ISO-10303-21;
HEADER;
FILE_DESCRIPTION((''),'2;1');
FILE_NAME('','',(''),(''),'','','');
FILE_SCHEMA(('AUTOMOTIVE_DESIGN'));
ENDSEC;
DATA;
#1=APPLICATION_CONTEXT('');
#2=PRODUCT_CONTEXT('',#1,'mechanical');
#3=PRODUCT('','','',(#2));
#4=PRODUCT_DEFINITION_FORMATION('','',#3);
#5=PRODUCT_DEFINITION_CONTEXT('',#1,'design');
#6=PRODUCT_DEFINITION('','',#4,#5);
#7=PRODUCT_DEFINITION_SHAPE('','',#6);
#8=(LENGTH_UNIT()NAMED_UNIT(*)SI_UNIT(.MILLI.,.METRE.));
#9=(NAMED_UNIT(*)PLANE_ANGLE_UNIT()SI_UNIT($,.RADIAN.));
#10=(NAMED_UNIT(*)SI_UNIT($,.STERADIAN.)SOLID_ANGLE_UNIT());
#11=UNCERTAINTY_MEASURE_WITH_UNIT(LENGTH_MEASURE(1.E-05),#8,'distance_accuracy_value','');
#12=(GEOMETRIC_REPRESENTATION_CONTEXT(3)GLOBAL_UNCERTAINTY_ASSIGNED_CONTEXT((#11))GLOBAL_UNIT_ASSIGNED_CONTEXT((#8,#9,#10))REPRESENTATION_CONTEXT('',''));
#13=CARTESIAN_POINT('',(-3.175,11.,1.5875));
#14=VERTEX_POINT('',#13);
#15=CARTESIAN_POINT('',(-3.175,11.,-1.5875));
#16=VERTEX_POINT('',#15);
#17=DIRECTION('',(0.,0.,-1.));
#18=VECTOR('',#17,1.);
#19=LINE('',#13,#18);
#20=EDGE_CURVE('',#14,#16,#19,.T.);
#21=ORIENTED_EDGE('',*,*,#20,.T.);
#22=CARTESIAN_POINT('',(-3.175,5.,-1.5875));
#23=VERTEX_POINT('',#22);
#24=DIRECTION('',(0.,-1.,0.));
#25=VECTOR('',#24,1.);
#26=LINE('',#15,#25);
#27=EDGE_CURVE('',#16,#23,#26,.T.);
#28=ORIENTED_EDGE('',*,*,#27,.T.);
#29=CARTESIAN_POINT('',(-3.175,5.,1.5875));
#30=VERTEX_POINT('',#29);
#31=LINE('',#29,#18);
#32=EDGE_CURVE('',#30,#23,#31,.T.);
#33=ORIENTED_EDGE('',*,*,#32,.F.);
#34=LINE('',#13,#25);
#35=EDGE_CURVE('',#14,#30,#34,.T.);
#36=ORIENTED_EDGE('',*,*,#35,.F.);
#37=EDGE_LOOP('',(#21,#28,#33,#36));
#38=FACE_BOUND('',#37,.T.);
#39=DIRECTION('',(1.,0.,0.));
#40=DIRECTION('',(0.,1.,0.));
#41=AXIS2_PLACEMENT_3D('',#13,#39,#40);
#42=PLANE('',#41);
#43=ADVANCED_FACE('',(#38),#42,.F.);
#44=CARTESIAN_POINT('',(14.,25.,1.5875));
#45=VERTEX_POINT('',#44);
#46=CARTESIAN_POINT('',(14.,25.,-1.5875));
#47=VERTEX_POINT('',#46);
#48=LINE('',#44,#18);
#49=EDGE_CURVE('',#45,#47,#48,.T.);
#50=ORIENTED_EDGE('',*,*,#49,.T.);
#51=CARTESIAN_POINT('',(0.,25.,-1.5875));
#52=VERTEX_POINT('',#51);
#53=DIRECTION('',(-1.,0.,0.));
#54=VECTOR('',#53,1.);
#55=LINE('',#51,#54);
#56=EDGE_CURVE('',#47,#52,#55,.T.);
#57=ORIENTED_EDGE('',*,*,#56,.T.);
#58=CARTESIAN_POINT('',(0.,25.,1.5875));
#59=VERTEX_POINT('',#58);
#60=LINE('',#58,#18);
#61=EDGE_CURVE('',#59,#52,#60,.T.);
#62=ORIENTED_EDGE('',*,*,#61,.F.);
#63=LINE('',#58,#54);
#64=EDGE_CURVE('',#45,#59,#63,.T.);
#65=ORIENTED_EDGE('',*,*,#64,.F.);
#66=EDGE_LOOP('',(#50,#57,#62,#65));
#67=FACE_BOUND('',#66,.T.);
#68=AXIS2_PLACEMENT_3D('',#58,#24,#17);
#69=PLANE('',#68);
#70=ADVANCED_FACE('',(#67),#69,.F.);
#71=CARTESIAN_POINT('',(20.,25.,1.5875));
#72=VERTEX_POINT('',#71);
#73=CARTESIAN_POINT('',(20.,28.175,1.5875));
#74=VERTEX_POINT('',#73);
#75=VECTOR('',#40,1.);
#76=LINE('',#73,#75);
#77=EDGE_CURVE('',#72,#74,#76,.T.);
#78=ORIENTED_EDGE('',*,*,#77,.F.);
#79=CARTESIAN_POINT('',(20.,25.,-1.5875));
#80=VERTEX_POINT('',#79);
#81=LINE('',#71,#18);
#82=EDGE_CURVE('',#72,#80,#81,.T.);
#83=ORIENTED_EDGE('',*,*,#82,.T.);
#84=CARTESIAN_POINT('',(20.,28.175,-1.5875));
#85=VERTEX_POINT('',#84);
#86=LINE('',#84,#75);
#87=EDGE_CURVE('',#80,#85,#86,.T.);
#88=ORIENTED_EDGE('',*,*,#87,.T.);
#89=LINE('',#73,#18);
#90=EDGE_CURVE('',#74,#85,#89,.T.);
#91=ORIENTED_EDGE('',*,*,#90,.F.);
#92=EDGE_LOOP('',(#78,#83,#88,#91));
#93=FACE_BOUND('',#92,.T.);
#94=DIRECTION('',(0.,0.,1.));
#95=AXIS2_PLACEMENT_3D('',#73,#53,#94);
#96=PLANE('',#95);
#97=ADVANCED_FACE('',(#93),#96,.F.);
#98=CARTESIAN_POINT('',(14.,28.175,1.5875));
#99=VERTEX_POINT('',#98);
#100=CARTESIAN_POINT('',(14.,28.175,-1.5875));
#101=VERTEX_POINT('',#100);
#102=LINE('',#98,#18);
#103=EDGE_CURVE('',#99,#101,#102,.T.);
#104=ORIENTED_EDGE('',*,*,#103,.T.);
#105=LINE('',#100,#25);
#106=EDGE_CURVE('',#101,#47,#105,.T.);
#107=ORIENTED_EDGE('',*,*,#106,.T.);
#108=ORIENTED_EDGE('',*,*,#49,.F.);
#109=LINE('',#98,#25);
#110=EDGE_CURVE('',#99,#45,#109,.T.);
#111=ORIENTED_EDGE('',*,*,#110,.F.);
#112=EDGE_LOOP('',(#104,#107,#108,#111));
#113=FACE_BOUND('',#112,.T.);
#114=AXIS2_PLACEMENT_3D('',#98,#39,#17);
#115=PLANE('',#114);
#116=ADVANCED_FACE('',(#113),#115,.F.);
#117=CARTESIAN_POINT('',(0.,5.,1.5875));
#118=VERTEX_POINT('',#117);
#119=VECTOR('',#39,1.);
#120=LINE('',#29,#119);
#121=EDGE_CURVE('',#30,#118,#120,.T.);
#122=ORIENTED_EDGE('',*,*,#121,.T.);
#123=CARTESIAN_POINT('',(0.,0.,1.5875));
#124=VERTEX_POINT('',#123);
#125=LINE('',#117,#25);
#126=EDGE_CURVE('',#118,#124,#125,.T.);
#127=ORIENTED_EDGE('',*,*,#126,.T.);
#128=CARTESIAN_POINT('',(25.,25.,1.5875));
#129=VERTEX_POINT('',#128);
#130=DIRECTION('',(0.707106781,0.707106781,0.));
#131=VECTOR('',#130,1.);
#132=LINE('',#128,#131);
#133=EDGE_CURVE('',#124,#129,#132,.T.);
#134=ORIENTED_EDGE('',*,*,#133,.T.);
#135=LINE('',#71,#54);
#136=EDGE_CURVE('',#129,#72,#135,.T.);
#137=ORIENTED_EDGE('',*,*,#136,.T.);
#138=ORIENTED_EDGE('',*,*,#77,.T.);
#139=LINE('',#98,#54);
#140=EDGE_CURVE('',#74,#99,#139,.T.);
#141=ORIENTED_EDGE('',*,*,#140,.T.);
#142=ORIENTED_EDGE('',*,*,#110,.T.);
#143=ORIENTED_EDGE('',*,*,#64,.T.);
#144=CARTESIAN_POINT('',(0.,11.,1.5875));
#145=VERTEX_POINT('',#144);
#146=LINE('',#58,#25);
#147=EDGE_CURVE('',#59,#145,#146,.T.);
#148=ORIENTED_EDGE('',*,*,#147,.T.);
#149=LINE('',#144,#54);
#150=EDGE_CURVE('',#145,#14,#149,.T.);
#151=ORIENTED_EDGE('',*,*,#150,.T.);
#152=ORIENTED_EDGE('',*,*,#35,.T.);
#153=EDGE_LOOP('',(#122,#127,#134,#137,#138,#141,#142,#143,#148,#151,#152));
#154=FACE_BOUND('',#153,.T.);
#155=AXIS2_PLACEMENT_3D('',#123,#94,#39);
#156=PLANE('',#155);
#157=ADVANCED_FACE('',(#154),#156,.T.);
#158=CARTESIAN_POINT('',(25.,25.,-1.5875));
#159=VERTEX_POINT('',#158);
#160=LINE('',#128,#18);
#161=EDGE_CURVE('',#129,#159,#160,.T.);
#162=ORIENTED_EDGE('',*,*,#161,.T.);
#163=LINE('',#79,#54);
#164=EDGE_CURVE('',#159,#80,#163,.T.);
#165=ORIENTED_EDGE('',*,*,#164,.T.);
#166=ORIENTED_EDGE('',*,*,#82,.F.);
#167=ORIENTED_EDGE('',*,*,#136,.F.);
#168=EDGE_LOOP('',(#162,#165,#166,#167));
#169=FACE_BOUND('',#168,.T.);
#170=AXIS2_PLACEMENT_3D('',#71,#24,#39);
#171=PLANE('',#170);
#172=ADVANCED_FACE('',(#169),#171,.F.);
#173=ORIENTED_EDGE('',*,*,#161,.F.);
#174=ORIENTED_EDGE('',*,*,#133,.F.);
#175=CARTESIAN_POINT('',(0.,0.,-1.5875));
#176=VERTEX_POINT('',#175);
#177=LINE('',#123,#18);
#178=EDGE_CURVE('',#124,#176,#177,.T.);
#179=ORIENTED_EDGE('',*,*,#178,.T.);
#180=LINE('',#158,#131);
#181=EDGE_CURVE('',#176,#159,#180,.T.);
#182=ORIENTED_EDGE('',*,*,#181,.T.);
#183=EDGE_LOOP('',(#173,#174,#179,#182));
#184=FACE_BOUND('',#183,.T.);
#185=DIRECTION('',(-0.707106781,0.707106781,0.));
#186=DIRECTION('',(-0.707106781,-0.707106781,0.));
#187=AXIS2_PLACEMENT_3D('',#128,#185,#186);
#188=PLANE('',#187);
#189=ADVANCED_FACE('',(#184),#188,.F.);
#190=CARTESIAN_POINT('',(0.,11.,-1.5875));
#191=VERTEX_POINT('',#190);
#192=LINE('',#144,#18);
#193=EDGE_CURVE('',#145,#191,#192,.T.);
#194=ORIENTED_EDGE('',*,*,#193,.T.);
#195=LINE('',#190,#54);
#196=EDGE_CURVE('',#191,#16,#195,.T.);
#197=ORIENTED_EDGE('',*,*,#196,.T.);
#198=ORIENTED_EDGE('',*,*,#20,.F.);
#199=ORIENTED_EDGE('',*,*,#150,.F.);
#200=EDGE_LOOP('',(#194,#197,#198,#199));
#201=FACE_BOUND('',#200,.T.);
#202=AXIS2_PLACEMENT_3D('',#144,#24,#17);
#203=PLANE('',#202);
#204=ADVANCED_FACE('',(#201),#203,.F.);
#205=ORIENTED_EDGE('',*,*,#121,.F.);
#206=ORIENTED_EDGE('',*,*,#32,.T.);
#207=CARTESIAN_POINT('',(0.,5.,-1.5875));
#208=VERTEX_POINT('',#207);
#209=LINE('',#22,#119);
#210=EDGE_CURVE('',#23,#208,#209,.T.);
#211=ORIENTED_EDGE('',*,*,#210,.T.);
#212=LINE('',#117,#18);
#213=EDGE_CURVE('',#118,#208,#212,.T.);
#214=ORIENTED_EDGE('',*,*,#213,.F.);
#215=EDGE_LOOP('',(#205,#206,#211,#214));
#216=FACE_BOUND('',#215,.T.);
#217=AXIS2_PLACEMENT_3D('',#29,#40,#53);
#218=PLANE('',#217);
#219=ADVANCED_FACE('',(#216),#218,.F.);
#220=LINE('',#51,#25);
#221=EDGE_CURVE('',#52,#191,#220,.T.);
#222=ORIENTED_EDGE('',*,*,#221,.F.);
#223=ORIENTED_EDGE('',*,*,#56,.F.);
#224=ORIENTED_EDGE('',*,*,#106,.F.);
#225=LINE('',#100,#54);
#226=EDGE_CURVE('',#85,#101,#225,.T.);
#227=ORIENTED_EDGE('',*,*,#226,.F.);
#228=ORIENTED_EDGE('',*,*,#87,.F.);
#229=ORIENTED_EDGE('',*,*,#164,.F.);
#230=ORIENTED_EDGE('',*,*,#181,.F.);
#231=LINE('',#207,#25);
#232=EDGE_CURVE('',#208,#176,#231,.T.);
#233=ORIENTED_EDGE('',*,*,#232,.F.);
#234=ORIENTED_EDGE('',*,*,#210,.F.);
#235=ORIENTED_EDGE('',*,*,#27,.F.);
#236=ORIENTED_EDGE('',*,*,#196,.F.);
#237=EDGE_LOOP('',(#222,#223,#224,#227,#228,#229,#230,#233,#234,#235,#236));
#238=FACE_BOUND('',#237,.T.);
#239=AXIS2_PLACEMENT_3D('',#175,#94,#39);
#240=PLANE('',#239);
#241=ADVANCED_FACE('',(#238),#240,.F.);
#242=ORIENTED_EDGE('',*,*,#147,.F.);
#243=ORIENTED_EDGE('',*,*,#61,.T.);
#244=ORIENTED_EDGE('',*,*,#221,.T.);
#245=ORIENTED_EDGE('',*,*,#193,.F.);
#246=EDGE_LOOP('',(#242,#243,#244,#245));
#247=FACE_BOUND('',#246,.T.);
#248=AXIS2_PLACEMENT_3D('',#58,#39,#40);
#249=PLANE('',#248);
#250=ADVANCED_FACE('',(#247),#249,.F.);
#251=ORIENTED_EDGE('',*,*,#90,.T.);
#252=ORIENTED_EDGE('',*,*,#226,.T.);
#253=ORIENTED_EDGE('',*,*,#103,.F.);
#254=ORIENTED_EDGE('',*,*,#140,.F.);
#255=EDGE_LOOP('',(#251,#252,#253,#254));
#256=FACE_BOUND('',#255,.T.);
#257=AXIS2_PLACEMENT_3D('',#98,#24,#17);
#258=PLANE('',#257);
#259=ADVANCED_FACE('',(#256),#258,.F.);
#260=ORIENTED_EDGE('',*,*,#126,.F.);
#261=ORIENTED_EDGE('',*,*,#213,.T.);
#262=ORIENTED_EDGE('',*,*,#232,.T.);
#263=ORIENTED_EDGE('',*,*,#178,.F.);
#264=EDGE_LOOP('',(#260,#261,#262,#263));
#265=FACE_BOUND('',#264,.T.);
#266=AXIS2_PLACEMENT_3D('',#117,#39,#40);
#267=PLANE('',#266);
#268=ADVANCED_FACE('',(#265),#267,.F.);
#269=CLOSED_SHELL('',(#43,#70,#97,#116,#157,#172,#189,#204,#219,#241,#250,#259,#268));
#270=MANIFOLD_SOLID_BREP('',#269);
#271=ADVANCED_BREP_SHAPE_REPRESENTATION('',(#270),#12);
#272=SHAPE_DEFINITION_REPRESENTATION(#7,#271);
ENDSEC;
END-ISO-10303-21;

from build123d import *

# Parameters (mm, degrees)
BOSS_EXTRUDE1_DEPTH = 1.5875


with BuildPart() as part:
    # Sketch2 → Boss-Extrude1 (new body, symmetric)
    with BuildSketch(Plane.XY):
        Polygon((0, 25), (0, 11), (-3.175, 11), (-3.175, 5), (0, 5), (0, 0), (25, 25), (20, 25), (20, 28.175), (14, 28.175), (14, 25), align=None)
    extrude(amount=BOSS_EXTRUDE1_DEPTH, both=True)


solid = part.part
